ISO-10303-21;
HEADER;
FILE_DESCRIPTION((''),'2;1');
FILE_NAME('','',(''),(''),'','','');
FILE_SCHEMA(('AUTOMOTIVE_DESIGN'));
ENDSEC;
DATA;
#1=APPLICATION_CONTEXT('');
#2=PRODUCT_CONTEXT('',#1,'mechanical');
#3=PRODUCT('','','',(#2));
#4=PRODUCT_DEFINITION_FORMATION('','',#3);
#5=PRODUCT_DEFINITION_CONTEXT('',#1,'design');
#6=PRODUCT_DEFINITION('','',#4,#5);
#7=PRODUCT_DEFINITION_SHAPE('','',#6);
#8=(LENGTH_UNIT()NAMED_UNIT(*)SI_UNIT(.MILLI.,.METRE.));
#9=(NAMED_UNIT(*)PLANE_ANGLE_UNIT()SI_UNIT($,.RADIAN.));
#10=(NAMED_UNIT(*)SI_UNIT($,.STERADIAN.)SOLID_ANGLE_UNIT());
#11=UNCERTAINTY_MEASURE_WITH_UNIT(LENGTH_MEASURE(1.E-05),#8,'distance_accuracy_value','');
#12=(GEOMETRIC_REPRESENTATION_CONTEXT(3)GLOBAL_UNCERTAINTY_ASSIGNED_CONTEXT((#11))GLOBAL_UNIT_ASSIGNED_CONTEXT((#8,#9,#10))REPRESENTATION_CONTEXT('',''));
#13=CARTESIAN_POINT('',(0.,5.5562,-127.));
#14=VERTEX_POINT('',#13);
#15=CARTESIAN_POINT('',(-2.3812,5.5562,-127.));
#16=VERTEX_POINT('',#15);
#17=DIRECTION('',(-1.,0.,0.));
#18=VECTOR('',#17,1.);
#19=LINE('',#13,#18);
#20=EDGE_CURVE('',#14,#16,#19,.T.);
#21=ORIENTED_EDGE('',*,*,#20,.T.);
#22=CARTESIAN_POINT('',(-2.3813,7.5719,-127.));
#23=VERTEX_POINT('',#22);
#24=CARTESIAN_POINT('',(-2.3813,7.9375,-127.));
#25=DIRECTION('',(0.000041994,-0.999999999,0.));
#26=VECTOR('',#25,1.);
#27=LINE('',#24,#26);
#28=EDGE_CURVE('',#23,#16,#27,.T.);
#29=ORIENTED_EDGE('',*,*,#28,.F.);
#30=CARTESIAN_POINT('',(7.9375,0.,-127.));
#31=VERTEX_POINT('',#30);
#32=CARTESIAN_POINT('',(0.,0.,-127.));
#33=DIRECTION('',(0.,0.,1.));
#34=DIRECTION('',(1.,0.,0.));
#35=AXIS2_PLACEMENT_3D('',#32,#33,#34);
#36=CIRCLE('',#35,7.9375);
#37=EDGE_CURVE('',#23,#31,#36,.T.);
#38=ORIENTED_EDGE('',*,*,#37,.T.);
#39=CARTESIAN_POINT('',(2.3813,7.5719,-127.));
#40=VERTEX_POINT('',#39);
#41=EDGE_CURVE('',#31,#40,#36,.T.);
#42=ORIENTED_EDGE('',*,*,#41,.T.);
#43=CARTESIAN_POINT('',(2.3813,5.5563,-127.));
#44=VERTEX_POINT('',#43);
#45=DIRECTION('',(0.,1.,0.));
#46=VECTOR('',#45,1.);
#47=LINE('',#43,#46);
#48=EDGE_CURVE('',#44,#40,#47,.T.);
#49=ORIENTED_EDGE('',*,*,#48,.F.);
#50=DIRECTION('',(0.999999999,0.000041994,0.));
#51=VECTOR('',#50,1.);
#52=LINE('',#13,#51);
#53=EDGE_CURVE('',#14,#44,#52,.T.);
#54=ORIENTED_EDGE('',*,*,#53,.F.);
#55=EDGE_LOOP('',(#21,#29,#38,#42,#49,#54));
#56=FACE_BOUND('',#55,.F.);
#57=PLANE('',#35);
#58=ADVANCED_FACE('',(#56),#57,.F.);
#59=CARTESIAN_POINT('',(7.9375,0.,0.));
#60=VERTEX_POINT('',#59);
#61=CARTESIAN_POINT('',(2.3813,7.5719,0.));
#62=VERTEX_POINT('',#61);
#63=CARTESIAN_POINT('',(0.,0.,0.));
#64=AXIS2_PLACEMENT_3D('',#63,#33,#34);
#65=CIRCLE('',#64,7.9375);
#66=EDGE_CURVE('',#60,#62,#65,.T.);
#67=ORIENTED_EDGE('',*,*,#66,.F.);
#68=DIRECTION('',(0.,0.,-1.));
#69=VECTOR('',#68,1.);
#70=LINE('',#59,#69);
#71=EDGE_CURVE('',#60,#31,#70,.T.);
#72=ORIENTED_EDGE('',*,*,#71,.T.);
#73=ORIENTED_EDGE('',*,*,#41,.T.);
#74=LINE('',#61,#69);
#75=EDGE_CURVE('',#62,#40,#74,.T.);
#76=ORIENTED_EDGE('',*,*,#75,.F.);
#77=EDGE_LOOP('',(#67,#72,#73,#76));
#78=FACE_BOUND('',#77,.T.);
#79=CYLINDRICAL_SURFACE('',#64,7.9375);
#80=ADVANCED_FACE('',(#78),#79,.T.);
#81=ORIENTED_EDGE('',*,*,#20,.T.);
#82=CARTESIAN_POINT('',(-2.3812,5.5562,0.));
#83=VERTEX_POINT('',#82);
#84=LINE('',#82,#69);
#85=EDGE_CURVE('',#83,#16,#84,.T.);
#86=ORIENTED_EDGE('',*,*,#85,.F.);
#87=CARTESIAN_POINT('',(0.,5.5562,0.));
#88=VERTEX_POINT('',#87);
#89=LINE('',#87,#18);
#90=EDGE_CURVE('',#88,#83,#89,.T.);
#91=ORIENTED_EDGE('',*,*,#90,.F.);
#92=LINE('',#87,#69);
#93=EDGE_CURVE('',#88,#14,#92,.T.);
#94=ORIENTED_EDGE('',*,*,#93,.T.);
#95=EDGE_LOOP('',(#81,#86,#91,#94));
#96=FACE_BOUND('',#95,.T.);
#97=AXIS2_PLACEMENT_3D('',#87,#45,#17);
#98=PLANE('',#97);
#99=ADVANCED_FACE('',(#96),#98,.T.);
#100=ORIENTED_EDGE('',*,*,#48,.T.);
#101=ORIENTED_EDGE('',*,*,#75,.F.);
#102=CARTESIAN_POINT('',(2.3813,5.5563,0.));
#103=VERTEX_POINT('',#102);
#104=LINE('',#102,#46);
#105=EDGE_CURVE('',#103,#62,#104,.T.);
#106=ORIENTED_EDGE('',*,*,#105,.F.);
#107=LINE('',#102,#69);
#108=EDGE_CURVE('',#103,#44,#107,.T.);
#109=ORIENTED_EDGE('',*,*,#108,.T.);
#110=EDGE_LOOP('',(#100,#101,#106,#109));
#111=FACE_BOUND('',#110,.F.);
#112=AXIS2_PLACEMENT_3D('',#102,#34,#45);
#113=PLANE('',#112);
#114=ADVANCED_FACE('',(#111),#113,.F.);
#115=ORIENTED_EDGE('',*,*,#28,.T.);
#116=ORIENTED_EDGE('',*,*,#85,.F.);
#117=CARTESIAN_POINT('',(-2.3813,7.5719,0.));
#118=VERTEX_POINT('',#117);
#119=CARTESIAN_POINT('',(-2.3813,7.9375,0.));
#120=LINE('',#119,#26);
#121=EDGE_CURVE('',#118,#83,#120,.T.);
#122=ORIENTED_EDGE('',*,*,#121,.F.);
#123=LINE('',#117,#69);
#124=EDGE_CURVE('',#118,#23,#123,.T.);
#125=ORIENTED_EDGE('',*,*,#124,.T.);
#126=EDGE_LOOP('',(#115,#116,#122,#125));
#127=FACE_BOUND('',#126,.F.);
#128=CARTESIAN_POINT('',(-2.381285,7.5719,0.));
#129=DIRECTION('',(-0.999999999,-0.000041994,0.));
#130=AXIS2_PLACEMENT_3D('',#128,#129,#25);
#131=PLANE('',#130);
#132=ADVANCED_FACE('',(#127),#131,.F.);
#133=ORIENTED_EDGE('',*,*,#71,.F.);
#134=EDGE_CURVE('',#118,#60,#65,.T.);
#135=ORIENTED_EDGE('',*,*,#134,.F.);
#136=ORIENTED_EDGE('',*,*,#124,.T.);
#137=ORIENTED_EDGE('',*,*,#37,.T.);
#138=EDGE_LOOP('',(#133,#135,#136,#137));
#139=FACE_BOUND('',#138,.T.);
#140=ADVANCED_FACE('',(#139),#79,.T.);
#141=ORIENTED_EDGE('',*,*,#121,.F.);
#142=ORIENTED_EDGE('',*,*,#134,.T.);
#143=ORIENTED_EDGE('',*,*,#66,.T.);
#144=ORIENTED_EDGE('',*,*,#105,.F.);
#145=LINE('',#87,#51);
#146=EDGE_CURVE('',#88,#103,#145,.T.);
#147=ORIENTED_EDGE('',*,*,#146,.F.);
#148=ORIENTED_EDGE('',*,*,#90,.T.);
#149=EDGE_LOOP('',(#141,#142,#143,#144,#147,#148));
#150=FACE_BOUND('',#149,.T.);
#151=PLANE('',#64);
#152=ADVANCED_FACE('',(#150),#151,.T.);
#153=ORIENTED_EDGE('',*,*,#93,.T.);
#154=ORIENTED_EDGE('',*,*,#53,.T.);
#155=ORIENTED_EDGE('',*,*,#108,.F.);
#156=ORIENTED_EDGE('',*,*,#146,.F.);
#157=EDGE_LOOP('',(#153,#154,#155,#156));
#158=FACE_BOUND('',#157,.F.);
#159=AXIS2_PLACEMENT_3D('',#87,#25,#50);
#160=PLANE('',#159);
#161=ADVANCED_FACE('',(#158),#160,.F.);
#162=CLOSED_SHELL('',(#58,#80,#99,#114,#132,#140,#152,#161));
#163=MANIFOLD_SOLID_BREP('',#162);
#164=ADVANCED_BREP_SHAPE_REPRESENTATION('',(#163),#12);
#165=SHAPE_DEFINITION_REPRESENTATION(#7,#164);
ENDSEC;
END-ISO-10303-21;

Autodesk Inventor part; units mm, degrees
ref_plane "YZ Plane" through (0, 0, 0) normal (1, 0, 0) x (0, 1, 0)
ref_plane "XZ Plane" through (0, 0, 0) normal (0, 1, 0) x (-1, 0, 0)
ref_plane "XY Plane" through (0, 0, 0) normal (0, 0, 1) x (1, 0, 0)
sketch "Sketch1" plane through (0, 0, 0) normal (0, 0, 1) x (1, 0, 0)
  circle A0 centre (0, 0) radius 7.9375
  line L0 (0, 7.9375) -> (0, 5.5562)
  line L1 (0, 5.5562) -> (2.3813, 5.5563)
  line L2 (2.3813, 5.5563) -> (2.3813, 7.9375)
  line L3 (2.3813, 7.9375) -> (0, 7.9375)
  line L4 (0, 5.5562) -> (-2.3812, 5.5562)
  line L5 (0, 7.9375) -> (-2.3813, 7.9375)
  line L6 (-2.3813, 7.9375) -> (-2.3812, 5.5562)
  line L7 (-2.3813, 7.5719) -> (-2.3812, 5.5562)
  line L8 (2.3813, 5.5563) -> (2.3813, 7.5719)
  dimension "d0" = 15.875
  dimension "d1" = 2.3813
  dimension "d2" = 2.3813
  dimension "d3" = 2.3813
extrude "Extrusion1" add sketch "Sketch1" against normal blind 127 contours A0 L6 L4 L1 L2
properties part number "Ad-Hoc 5!8 keyed axle"
